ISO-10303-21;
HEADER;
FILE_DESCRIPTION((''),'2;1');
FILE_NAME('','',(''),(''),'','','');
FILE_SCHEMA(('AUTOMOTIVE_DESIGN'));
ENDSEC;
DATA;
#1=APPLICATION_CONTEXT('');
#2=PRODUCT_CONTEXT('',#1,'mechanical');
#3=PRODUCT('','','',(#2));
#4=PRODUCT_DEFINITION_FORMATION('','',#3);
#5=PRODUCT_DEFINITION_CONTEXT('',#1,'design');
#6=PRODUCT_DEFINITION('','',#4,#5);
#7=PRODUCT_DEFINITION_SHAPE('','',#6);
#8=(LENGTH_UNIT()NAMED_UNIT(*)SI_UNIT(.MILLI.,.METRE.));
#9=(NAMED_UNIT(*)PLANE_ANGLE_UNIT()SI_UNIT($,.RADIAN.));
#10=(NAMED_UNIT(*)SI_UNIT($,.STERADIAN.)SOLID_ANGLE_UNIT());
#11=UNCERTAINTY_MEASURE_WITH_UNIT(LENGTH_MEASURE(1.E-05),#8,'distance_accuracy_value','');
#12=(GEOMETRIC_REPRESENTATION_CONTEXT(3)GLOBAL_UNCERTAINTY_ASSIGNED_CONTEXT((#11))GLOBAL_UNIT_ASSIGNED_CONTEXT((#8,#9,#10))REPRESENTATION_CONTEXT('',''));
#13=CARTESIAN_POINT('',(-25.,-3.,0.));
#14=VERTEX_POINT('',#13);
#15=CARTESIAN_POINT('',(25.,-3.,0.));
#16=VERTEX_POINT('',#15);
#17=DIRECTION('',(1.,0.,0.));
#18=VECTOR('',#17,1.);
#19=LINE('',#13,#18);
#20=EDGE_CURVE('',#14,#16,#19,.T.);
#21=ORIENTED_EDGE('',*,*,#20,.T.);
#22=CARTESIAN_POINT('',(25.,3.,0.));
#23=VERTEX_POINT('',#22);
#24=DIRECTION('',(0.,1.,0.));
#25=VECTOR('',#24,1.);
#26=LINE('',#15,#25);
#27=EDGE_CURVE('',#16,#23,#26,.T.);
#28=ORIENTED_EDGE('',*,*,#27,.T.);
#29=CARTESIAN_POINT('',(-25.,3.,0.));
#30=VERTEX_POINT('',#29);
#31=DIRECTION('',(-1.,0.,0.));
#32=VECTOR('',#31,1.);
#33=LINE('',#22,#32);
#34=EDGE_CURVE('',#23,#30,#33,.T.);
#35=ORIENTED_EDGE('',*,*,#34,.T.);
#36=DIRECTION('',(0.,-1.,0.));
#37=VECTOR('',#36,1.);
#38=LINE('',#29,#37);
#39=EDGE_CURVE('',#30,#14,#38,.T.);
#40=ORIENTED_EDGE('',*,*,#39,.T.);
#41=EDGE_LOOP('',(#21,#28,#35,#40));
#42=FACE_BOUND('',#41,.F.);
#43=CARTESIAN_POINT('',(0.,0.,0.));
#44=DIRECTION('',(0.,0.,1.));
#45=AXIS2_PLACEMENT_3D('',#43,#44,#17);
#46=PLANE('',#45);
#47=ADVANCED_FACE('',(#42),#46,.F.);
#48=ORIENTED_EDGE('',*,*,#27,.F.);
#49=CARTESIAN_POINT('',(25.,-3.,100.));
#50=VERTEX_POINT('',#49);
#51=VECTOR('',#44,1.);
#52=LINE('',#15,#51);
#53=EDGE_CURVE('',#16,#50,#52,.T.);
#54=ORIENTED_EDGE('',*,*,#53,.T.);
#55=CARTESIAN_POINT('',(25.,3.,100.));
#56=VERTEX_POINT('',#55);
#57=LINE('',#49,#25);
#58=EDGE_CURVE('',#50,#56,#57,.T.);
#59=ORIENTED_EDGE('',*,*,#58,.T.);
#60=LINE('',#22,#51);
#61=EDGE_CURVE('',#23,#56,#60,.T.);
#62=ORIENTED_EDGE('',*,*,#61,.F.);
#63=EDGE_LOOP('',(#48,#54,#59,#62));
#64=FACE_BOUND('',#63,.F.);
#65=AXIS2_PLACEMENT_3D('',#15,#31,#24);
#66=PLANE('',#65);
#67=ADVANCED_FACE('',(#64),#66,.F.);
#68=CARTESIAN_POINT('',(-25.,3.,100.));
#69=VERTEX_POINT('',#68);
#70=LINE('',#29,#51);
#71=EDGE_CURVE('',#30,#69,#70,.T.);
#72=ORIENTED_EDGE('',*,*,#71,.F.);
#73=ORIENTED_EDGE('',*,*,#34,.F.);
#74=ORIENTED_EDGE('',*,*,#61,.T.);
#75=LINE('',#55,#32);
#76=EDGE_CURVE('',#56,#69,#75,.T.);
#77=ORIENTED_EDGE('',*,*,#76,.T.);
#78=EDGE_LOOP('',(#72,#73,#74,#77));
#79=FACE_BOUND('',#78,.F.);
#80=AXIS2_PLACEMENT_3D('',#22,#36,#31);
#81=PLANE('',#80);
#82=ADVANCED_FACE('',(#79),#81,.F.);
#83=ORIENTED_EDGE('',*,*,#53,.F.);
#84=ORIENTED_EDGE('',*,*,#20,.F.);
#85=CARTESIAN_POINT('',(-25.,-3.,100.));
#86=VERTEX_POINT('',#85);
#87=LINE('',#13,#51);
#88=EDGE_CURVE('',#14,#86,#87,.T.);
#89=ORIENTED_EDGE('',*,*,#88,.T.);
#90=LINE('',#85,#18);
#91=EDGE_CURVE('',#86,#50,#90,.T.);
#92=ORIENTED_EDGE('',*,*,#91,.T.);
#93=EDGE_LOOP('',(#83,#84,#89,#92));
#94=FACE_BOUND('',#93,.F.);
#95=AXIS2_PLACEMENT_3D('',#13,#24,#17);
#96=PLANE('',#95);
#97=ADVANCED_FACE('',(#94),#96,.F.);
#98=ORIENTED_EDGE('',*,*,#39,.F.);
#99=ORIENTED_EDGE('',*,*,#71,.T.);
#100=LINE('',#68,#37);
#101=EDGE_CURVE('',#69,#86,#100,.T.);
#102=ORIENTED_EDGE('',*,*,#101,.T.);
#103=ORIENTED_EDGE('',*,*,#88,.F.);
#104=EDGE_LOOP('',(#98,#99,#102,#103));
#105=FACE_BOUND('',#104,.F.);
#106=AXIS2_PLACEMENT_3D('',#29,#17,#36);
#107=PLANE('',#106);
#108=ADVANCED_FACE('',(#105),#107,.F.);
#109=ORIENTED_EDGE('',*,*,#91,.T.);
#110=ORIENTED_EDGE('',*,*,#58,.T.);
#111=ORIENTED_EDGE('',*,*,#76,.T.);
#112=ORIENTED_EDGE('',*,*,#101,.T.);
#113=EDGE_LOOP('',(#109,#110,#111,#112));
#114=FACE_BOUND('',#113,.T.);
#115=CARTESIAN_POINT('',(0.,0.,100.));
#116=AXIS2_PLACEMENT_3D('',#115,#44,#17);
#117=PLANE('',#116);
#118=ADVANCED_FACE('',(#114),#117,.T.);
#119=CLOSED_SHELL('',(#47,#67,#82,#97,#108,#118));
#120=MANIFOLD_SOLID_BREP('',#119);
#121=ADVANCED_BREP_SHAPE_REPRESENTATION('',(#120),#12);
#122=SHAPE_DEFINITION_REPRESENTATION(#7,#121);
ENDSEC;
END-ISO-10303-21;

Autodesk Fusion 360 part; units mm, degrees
sketch "スケッチ1" plane through (0, 0, 0) normal (0, 0, 1) x (1, 0, 0)
  line L0 (25, 3) -> (-25, 3)
  line L1 (-25, 3) -> (-25, -3)
  line L2 (-25, -3) -> (25, -3)
  line L3 (25, -3) -> (25, 3)
  line L4 (25, 3) -> (-25, -3) construction
  line L5 (-25, 3) -> (25, -3) construction
  dimension "d1" = 50
  dimension "d2" = 6
extrude "押し出し1" add sketch "スケッチ1" along normal blind 100
